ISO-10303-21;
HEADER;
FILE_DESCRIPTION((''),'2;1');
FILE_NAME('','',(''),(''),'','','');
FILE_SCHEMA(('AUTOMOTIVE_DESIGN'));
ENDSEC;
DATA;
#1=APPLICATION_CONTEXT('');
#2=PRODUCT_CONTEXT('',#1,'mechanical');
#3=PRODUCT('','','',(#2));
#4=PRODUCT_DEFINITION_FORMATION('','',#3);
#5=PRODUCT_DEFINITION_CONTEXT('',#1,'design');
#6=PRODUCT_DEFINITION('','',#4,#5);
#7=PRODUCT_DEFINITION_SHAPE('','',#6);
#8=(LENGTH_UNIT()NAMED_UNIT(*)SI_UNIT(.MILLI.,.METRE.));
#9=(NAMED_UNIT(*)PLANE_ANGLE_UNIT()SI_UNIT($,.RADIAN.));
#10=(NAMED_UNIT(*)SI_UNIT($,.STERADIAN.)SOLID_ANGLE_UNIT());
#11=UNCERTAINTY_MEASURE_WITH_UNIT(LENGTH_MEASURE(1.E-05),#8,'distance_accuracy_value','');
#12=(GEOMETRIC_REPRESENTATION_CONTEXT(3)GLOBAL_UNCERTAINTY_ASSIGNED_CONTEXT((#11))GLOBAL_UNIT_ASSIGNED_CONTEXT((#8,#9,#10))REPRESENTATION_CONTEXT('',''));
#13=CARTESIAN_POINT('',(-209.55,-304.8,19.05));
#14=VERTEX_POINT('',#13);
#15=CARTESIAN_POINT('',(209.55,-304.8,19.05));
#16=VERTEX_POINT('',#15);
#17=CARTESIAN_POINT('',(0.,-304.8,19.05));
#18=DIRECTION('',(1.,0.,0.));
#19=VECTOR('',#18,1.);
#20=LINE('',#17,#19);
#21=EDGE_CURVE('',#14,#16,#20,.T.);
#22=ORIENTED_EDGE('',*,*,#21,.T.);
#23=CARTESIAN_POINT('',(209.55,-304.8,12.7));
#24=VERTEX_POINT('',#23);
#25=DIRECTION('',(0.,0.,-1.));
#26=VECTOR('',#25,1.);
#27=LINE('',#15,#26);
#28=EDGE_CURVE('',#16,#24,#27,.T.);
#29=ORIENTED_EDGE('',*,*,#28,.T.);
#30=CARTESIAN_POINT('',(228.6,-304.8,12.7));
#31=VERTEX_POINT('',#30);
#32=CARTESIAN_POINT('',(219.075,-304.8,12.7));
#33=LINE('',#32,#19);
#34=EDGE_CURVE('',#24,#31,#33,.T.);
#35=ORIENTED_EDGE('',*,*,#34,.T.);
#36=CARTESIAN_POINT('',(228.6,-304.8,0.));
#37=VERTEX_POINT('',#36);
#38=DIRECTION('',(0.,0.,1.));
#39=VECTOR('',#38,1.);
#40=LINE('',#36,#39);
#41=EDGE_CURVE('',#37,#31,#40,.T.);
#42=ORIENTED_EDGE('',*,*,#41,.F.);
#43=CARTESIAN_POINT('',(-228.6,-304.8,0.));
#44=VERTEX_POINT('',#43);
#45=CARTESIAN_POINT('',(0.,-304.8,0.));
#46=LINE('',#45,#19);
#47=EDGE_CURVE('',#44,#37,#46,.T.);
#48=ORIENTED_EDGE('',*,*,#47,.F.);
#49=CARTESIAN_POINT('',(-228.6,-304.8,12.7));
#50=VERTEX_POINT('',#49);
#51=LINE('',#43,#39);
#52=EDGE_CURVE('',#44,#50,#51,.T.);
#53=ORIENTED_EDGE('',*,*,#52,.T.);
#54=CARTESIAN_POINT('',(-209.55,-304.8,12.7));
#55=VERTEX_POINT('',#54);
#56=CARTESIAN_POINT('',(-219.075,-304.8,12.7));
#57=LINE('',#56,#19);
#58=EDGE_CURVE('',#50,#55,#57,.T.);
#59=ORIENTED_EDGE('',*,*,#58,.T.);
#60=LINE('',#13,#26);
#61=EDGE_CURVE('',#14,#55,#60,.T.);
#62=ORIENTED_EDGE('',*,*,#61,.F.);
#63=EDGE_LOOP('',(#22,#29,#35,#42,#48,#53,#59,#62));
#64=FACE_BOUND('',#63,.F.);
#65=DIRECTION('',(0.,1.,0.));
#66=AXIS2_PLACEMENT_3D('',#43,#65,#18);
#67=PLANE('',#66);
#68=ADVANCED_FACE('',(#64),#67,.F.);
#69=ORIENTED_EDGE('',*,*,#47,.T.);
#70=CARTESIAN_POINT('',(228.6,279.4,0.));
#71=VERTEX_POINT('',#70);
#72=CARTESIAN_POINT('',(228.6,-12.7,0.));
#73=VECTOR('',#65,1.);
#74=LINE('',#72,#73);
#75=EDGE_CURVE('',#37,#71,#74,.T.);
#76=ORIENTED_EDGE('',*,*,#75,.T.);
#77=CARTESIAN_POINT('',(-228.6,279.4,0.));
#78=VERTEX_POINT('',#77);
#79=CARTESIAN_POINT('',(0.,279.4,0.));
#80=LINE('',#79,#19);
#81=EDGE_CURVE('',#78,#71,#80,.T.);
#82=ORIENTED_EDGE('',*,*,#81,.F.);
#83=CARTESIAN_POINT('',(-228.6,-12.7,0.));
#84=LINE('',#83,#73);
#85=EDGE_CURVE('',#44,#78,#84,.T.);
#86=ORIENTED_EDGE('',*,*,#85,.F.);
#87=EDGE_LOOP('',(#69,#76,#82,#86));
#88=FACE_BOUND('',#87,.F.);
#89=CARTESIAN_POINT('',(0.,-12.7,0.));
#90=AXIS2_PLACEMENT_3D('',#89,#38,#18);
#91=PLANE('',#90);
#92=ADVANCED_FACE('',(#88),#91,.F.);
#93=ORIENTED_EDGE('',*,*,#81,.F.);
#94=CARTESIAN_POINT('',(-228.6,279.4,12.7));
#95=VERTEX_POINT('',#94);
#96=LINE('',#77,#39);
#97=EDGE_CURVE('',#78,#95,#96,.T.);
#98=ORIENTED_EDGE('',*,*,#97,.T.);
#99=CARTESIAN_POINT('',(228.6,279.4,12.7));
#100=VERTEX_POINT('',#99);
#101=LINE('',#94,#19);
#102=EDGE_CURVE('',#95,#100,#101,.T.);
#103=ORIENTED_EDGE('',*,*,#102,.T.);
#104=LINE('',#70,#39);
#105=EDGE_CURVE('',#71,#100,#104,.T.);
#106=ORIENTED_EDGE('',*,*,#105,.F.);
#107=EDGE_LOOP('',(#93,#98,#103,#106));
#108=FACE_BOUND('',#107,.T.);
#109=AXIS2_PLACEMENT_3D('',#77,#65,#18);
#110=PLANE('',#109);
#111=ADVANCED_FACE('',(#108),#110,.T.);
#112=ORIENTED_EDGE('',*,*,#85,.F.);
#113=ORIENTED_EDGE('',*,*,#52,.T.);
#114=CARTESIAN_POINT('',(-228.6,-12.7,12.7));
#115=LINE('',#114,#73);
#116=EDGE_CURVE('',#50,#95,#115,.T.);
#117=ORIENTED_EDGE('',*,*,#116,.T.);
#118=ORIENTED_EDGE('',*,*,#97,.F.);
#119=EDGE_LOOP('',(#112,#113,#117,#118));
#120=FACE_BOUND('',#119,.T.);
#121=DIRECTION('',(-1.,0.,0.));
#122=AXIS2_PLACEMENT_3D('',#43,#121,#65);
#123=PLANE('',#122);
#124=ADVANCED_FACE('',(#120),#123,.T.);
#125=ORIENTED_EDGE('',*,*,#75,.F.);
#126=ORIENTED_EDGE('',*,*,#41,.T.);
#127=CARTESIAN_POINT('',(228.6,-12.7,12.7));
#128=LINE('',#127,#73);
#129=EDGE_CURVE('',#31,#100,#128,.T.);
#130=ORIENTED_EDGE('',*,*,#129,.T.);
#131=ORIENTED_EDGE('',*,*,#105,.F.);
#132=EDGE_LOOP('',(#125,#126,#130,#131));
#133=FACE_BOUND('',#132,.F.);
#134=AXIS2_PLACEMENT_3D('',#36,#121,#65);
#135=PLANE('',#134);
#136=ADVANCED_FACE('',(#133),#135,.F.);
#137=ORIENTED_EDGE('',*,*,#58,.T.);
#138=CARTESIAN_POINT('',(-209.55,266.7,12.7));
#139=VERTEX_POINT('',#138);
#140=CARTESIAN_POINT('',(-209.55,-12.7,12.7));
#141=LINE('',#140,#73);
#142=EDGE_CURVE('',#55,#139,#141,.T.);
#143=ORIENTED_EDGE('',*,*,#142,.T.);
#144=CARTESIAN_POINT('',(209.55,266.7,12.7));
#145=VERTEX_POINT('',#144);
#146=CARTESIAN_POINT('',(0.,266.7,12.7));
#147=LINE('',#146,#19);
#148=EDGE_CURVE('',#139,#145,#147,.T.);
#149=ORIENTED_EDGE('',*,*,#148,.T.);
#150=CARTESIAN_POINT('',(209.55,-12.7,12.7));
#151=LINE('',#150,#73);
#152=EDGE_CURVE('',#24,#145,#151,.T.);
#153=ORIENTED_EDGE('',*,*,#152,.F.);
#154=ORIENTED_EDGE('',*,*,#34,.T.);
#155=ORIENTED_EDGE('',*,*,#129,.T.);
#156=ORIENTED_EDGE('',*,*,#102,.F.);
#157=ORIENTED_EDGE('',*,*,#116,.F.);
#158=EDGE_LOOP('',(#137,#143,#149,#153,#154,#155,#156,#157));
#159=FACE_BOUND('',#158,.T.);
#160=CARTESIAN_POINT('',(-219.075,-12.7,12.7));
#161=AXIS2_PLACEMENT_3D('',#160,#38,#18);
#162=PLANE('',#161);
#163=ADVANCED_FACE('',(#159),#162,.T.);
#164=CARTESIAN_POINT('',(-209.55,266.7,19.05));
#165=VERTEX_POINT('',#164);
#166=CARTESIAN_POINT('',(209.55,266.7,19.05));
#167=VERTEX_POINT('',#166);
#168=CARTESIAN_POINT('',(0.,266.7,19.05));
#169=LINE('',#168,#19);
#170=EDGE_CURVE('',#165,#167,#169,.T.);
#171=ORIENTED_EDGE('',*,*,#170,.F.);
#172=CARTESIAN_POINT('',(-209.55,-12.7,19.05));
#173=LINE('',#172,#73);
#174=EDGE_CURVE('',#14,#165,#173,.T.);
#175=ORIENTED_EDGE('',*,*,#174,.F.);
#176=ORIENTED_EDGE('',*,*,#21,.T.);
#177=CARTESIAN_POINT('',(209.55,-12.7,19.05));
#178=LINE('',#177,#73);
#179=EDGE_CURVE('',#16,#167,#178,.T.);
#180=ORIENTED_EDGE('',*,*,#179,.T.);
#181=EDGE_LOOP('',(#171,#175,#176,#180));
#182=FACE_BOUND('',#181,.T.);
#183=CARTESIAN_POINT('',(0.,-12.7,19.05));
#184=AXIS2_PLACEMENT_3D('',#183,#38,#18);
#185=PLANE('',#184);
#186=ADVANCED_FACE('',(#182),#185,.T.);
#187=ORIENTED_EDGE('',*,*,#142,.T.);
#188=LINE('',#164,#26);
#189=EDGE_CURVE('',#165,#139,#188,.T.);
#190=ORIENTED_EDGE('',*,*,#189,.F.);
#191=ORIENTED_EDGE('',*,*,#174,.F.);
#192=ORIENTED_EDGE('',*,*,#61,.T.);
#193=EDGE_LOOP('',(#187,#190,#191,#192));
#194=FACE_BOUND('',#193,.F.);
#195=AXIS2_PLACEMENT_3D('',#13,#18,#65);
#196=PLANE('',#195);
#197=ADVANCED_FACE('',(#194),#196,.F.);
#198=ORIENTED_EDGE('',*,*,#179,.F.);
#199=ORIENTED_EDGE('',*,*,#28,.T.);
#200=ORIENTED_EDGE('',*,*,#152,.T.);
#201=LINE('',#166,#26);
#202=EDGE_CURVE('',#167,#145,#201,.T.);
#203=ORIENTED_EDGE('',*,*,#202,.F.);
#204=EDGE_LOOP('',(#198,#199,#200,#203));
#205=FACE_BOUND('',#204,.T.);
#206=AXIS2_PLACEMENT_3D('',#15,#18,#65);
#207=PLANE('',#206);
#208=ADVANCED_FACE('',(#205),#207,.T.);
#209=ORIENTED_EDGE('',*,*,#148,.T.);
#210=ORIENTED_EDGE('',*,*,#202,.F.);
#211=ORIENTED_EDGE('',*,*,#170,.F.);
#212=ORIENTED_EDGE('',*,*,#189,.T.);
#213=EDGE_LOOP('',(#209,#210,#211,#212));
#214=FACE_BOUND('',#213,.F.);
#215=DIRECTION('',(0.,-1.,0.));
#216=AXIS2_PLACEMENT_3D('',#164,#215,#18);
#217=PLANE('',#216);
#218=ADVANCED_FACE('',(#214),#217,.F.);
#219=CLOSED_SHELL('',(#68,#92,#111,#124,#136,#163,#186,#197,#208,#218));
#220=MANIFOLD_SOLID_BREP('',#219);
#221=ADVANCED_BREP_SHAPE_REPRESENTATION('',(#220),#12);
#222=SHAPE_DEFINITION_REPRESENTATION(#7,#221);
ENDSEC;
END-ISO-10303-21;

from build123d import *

# Parameters (mm, degrees)
F0_W     = 457.2
F0_H     = 584.2
F1_DEPTH = 19.05
F2_W     = 19.05
F2_H     = 584.2
F3_DEPTH = 6.35
F4_W     = 419.1
F4_H     = 12.7
F5_DEPTH = 6.35


with BuildPart() as f1:
    # F0 (on Top) → F1 (new body)
    with BuildSketch(Plane.XY):
        with Locations((0, -12.7)):
            Rectangle(F0_W, F0_H)
    extrude(amount=F1_DEPTH)

    # F2 (on face) → F3 (cut)
    with BuildSketch(Plane.XY.offset(19.05)):
        with Locations((219.075, -12.7)):
            Rectangle(F2_W, F2_H)
        with Locations((-219.075, -12.7)):
            Rectangle(F2_W, F2_H)
    extrude(amount=-F3_DEPTH, mode=Mode.SUBTRACT)

    # F4 (on face) → F5 (cut)
    with BuildSketch(Plane.XY.offset(19.05)):
        with Locations((0, 273.05)):
            Rectangle(F4_W, F4_H)
    extrude(amount=-F5_DEPTH, mode=Mode.SUBTRACT)


solid = f1.part
